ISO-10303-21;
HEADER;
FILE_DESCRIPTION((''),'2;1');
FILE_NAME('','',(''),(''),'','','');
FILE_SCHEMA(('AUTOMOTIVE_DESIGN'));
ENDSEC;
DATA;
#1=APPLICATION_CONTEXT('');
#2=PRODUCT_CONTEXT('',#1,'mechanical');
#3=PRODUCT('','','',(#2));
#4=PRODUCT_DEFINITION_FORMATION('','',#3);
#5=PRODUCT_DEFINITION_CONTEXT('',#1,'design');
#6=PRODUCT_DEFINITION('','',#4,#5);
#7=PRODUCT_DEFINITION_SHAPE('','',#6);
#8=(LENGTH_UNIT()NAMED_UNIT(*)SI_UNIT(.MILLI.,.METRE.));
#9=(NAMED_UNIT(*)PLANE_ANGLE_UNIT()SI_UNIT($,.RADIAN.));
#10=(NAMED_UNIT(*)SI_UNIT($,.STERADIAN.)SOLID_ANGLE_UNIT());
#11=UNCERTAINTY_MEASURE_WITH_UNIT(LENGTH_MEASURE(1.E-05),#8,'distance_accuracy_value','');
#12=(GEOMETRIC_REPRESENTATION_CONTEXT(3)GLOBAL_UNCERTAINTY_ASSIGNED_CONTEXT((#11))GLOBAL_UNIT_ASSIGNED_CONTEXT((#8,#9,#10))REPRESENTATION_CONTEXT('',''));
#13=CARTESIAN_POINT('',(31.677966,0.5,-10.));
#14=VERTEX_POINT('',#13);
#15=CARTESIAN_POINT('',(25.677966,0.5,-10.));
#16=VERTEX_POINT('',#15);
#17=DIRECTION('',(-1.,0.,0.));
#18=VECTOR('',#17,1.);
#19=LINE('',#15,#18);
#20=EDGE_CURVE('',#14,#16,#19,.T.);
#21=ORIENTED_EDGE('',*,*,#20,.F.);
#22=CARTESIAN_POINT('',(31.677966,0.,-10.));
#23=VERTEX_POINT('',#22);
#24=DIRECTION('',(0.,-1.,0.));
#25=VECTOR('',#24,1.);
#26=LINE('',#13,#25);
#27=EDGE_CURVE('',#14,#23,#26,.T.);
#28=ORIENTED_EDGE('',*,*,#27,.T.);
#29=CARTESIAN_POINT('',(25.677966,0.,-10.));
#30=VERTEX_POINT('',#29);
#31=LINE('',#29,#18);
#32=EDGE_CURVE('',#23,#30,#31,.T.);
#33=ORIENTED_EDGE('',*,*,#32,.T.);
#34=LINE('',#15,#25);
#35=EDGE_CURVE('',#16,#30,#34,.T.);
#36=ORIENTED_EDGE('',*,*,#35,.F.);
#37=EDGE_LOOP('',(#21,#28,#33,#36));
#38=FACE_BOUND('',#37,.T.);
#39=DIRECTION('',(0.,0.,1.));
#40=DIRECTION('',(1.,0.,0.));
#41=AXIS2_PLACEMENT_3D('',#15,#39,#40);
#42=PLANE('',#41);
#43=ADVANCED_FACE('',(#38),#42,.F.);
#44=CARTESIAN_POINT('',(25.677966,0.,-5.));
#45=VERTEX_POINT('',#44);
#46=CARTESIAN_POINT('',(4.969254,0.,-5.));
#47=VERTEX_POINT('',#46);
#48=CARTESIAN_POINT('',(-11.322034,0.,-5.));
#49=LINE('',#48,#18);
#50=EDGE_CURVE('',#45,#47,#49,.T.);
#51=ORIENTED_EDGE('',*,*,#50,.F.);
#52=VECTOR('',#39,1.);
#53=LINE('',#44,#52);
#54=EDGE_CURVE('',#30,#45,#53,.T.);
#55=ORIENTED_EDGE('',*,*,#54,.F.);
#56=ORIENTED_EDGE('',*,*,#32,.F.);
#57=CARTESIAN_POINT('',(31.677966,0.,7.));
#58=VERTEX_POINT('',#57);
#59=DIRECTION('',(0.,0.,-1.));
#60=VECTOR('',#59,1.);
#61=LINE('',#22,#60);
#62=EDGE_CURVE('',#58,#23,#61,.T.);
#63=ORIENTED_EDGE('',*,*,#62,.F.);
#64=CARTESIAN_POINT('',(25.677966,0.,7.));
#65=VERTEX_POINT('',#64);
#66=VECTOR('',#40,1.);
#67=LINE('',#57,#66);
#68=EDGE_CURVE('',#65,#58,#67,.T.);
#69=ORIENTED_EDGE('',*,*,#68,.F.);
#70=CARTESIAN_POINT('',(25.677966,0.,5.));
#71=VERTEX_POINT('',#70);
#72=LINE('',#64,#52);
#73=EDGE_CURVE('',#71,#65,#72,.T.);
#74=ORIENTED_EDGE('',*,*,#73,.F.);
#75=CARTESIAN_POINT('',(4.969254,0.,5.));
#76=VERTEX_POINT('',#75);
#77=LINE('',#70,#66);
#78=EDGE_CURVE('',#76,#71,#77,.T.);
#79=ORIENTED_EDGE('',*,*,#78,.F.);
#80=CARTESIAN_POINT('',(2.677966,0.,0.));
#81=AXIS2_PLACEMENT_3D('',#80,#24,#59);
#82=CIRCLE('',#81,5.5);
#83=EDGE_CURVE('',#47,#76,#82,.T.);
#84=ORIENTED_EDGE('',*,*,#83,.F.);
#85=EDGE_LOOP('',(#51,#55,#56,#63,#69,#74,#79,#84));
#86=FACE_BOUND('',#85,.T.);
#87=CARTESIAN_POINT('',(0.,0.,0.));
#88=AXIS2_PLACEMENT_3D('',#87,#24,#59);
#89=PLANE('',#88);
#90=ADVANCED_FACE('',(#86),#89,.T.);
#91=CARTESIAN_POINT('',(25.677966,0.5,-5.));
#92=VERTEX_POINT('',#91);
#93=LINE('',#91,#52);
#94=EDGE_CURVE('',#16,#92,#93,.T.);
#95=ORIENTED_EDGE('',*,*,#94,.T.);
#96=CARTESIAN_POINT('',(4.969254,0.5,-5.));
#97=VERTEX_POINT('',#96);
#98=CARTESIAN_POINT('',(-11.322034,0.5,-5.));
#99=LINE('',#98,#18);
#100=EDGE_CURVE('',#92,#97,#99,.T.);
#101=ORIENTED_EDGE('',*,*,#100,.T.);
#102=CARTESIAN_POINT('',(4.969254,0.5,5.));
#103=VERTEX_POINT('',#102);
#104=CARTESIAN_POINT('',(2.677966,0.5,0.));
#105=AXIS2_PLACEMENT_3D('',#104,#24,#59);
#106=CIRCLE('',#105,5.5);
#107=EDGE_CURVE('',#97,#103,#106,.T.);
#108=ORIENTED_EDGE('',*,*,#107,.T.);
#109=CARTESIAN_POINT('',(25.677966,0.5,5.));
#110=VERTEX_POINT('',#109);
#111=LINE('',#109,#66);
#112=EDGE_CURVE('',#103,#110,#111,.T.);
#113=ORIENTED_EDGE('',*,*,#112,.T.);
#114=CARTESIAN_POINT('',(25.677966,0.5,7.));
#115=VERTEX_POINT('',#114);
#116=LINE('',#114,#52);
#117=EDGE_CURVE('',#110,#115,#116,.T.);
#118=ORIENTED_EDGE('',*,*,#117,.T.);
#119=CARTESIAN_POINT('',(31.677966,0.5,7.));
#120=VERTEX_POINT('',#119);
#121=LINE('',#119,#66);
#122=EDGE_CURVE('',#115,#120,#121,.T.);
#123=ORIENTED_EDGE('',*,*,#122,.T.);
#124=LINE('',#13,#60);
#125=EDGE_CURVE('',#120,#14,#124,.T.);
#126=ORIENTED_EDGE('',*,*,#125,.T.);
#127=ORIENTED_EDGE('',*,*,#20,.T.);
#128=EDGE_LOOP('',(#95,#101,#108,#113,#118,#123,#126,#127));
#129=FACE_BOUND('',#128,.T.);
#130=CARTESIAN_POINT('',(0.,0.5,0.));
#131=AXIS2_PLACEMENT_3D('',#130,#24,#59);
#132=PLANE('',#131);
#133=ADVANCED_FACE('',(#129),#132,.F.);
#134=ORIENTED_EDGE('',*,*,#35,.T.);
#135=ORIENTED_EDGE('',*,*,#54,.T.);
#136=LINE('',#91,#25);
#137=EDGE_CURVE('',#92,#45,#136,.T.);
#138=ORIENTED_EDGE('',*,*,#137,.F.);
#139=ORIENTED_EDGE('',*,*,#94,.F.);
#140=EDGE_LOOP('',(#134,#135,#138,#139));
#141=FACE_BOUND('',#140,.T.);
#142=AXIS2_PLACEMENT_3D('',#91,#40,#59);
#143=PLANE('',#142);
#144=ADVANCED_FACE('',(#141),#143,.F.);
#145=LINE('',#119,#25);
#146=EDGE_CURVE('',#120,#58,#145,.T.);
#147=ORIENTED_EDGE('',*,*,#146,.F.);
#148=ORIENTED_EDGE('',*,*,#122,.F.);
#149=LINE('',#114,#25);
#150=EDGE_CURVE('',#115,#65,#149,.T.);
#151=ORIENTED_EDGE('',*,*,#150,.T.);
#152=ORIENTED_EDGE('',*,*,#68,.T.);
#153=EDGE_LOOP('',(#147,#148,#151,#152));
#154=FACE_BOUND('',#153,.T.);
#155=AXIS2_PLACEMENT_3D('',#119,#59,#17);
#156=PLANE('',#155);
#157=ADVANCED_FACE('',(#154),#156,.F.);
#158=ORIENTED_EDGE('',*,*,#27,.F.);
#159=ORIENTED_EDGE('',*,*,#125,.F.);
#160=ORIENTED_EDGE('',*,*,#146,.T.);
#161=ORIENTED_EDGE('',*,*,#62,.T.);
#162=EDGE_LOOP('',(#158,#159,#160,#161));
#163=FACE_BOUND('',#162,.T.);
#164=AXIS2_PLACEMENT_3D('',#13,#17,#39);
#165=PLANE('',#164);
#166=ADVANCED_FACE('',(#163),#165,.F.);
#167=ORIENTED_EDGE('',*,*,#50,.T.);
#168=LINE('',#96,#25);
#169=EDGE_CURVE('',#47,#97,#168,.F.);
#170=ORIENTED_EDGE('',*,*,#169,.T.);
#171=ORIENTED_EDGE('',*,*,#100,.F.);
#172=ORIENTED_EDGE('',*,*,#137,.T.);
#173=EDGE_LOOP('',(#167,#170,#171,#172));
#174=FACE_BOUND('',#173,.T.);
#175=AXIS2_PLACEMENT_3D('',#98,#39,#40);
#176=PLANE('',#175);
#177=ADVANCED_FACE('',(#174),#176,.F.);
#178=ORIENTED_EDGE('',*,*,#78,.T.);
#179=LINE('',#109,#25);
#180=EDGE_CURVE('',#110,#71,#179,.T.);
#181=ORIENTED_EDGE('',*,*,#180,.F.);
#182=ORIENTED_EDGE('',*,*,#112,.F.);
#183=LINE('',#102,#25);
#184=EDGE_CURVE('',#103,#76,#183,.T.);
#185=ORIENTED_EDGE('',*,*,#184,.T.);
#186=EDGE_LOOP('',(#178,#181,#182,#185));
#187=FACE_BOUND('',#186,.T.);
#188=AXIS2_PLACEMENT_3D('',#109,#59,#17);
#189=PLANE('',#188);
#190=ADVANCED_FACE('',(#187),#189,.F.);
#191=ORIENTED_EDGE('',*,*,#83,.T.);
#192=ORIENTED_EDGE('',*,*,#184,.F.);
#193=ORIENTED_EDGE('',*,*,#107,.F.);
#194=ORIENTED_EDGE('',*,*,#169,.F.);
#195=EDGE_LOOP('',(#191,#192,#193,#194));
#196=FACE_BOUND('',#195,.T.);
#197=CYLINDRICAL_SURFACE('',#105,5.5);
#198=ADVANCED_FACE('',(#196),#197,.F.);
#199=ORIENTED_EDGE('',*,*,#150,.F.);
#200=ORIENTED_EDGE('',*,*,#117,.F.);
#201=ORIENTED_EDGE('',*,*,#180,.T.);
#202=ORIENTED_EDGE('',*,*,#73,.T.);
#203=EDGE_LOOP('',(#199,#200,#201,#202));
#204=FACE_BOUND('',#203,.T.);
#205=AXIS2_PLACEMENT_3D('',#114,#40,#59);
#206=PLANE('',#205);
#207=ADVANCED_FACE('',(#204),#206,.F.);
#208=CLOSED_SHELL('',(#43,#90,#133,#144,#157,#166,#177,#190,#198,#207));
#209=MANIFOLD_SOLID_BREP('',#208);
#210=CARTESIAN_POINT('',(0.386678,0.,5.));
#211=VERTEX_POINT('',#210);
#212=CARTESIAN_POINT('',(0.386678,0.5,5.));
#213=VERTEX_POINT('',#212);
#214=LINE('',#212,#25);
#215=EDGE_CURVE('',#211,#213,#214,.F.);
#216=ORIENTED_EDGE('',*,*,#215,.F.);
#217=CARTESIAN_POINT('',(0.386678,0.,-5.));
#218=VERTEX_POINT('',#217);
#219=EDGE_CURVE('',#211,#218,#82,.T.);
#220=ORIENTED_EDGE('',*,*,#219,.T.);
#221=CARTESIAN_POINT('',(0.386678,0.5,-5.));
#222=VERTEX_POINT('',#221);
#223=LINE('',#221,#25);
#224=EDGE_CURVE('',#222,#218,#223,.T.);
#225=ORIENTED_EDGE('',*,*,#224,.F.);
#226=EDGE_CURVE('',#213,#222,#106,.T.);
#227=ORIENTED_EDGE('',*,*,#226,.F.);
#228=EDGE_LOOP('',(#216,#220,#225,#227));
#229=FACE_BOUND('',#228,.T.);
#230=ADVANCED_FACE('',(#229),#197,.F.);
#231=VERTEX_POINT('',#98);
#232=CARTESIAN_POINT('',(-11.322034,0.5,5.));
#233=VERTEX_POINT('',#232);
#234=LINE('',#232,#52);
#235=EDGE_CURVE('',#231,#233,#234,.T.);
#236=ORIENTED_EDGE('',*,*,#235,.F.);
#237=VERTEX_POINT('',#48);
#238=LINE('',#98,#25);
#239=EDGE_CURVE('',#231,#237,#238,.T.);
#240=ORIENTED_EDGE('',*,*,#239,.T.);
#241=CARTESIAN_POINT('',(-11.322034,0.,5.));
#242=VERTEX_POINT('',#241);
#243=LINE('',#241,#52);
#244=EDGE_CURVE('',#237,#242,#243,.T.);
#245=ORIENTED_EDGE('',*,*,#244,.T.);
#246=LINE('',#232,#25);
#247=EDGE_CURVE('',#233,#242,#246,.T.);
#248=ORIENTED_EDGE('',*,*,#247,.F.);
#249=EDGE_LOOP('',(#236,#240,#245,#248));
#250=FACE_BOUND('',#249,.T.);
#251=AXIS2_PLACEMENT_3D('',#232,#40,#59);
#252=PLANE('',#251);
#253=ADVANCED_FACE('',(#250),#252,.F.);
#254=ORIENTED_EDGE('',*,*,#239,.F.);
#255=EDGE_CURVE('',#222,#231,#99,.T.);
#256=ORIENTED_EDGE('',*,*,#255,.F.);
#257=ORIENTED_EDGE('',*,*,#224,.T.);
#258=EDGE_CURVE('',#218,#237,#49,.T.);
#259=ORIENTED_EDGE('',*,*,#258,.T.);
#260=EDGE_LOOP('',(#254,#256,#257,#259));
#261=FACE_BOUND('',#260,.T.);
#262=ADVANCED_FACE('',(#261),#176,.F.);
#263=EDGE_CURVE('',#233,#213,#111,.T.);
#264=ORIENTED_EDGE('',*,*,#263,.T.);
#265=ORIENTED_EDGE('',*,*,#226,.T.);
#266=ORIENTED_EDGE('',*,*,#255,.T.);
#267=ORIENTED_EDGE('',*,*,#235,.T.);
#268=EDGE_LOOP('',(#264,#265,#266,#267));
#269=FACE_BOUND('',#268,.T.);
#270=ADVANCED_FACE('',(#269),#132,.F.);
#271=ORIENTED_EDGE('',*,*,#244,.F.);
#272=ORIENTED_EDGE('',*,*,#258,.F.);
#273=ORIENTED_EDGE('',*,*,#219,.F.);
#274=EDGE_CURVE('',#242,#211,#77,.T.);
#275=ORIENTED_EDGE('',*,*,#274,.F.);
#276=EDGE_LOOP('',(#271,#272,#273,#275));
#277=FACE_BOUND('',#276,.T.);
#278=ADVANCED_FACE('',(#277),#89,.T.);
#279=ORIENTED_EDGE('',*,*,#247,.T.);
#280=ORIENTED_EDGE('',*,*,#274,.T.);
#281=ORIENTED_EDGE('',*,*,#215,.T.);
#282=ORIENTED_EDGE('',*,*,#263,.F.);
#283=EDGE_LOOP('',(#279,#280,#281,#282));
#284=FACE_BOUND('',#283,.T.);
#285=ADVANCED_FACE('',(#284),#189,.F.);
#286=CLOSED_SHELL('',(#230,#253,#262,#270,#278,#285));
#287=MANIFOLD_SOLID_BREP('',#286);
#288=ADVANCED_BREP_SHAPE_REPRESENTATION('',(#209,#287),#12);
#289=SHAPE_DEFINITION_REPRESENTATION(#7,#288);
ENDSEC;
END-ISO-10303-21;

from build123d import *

# Parameters (mm, degrees)
EXTRUDE_1_DEPTH     = 0.5
SKETCH_2_R          = 5.5
CUT_EXTRUDE_1_DEPTH = 1.5


with BuildPart() as part:
    # 草图1 → 凸台-拉伸1 (new body)
    with BuildSketch(Plane(origin=(0, 0, 0), x_dir=(1, 0, 0), z_dir=(0, 1, 0))):
        Polygon((-11.322033898, 5), (25.677966102, 5), (25.677966102, 10), (31.677966102, 10), (31.677966102, -7), (25.677966102, -7), (25.677966102, -5), (-11.322033898, -5), align=None)
    extrude(amount=EXTRUDE_1_DEPTH)

    # 草图2 → 切除-拉伸1 (cut, through all)
    with BuildSketch(Plane.XZ):
        with Locations((2.677966102, 0)):
            Circle(SKETCH_2_R)
    extrude(amount=-CUT_EXTRUDE_1_DEPTH, mode=Mode.SUBTRACT)


solid = part.part
